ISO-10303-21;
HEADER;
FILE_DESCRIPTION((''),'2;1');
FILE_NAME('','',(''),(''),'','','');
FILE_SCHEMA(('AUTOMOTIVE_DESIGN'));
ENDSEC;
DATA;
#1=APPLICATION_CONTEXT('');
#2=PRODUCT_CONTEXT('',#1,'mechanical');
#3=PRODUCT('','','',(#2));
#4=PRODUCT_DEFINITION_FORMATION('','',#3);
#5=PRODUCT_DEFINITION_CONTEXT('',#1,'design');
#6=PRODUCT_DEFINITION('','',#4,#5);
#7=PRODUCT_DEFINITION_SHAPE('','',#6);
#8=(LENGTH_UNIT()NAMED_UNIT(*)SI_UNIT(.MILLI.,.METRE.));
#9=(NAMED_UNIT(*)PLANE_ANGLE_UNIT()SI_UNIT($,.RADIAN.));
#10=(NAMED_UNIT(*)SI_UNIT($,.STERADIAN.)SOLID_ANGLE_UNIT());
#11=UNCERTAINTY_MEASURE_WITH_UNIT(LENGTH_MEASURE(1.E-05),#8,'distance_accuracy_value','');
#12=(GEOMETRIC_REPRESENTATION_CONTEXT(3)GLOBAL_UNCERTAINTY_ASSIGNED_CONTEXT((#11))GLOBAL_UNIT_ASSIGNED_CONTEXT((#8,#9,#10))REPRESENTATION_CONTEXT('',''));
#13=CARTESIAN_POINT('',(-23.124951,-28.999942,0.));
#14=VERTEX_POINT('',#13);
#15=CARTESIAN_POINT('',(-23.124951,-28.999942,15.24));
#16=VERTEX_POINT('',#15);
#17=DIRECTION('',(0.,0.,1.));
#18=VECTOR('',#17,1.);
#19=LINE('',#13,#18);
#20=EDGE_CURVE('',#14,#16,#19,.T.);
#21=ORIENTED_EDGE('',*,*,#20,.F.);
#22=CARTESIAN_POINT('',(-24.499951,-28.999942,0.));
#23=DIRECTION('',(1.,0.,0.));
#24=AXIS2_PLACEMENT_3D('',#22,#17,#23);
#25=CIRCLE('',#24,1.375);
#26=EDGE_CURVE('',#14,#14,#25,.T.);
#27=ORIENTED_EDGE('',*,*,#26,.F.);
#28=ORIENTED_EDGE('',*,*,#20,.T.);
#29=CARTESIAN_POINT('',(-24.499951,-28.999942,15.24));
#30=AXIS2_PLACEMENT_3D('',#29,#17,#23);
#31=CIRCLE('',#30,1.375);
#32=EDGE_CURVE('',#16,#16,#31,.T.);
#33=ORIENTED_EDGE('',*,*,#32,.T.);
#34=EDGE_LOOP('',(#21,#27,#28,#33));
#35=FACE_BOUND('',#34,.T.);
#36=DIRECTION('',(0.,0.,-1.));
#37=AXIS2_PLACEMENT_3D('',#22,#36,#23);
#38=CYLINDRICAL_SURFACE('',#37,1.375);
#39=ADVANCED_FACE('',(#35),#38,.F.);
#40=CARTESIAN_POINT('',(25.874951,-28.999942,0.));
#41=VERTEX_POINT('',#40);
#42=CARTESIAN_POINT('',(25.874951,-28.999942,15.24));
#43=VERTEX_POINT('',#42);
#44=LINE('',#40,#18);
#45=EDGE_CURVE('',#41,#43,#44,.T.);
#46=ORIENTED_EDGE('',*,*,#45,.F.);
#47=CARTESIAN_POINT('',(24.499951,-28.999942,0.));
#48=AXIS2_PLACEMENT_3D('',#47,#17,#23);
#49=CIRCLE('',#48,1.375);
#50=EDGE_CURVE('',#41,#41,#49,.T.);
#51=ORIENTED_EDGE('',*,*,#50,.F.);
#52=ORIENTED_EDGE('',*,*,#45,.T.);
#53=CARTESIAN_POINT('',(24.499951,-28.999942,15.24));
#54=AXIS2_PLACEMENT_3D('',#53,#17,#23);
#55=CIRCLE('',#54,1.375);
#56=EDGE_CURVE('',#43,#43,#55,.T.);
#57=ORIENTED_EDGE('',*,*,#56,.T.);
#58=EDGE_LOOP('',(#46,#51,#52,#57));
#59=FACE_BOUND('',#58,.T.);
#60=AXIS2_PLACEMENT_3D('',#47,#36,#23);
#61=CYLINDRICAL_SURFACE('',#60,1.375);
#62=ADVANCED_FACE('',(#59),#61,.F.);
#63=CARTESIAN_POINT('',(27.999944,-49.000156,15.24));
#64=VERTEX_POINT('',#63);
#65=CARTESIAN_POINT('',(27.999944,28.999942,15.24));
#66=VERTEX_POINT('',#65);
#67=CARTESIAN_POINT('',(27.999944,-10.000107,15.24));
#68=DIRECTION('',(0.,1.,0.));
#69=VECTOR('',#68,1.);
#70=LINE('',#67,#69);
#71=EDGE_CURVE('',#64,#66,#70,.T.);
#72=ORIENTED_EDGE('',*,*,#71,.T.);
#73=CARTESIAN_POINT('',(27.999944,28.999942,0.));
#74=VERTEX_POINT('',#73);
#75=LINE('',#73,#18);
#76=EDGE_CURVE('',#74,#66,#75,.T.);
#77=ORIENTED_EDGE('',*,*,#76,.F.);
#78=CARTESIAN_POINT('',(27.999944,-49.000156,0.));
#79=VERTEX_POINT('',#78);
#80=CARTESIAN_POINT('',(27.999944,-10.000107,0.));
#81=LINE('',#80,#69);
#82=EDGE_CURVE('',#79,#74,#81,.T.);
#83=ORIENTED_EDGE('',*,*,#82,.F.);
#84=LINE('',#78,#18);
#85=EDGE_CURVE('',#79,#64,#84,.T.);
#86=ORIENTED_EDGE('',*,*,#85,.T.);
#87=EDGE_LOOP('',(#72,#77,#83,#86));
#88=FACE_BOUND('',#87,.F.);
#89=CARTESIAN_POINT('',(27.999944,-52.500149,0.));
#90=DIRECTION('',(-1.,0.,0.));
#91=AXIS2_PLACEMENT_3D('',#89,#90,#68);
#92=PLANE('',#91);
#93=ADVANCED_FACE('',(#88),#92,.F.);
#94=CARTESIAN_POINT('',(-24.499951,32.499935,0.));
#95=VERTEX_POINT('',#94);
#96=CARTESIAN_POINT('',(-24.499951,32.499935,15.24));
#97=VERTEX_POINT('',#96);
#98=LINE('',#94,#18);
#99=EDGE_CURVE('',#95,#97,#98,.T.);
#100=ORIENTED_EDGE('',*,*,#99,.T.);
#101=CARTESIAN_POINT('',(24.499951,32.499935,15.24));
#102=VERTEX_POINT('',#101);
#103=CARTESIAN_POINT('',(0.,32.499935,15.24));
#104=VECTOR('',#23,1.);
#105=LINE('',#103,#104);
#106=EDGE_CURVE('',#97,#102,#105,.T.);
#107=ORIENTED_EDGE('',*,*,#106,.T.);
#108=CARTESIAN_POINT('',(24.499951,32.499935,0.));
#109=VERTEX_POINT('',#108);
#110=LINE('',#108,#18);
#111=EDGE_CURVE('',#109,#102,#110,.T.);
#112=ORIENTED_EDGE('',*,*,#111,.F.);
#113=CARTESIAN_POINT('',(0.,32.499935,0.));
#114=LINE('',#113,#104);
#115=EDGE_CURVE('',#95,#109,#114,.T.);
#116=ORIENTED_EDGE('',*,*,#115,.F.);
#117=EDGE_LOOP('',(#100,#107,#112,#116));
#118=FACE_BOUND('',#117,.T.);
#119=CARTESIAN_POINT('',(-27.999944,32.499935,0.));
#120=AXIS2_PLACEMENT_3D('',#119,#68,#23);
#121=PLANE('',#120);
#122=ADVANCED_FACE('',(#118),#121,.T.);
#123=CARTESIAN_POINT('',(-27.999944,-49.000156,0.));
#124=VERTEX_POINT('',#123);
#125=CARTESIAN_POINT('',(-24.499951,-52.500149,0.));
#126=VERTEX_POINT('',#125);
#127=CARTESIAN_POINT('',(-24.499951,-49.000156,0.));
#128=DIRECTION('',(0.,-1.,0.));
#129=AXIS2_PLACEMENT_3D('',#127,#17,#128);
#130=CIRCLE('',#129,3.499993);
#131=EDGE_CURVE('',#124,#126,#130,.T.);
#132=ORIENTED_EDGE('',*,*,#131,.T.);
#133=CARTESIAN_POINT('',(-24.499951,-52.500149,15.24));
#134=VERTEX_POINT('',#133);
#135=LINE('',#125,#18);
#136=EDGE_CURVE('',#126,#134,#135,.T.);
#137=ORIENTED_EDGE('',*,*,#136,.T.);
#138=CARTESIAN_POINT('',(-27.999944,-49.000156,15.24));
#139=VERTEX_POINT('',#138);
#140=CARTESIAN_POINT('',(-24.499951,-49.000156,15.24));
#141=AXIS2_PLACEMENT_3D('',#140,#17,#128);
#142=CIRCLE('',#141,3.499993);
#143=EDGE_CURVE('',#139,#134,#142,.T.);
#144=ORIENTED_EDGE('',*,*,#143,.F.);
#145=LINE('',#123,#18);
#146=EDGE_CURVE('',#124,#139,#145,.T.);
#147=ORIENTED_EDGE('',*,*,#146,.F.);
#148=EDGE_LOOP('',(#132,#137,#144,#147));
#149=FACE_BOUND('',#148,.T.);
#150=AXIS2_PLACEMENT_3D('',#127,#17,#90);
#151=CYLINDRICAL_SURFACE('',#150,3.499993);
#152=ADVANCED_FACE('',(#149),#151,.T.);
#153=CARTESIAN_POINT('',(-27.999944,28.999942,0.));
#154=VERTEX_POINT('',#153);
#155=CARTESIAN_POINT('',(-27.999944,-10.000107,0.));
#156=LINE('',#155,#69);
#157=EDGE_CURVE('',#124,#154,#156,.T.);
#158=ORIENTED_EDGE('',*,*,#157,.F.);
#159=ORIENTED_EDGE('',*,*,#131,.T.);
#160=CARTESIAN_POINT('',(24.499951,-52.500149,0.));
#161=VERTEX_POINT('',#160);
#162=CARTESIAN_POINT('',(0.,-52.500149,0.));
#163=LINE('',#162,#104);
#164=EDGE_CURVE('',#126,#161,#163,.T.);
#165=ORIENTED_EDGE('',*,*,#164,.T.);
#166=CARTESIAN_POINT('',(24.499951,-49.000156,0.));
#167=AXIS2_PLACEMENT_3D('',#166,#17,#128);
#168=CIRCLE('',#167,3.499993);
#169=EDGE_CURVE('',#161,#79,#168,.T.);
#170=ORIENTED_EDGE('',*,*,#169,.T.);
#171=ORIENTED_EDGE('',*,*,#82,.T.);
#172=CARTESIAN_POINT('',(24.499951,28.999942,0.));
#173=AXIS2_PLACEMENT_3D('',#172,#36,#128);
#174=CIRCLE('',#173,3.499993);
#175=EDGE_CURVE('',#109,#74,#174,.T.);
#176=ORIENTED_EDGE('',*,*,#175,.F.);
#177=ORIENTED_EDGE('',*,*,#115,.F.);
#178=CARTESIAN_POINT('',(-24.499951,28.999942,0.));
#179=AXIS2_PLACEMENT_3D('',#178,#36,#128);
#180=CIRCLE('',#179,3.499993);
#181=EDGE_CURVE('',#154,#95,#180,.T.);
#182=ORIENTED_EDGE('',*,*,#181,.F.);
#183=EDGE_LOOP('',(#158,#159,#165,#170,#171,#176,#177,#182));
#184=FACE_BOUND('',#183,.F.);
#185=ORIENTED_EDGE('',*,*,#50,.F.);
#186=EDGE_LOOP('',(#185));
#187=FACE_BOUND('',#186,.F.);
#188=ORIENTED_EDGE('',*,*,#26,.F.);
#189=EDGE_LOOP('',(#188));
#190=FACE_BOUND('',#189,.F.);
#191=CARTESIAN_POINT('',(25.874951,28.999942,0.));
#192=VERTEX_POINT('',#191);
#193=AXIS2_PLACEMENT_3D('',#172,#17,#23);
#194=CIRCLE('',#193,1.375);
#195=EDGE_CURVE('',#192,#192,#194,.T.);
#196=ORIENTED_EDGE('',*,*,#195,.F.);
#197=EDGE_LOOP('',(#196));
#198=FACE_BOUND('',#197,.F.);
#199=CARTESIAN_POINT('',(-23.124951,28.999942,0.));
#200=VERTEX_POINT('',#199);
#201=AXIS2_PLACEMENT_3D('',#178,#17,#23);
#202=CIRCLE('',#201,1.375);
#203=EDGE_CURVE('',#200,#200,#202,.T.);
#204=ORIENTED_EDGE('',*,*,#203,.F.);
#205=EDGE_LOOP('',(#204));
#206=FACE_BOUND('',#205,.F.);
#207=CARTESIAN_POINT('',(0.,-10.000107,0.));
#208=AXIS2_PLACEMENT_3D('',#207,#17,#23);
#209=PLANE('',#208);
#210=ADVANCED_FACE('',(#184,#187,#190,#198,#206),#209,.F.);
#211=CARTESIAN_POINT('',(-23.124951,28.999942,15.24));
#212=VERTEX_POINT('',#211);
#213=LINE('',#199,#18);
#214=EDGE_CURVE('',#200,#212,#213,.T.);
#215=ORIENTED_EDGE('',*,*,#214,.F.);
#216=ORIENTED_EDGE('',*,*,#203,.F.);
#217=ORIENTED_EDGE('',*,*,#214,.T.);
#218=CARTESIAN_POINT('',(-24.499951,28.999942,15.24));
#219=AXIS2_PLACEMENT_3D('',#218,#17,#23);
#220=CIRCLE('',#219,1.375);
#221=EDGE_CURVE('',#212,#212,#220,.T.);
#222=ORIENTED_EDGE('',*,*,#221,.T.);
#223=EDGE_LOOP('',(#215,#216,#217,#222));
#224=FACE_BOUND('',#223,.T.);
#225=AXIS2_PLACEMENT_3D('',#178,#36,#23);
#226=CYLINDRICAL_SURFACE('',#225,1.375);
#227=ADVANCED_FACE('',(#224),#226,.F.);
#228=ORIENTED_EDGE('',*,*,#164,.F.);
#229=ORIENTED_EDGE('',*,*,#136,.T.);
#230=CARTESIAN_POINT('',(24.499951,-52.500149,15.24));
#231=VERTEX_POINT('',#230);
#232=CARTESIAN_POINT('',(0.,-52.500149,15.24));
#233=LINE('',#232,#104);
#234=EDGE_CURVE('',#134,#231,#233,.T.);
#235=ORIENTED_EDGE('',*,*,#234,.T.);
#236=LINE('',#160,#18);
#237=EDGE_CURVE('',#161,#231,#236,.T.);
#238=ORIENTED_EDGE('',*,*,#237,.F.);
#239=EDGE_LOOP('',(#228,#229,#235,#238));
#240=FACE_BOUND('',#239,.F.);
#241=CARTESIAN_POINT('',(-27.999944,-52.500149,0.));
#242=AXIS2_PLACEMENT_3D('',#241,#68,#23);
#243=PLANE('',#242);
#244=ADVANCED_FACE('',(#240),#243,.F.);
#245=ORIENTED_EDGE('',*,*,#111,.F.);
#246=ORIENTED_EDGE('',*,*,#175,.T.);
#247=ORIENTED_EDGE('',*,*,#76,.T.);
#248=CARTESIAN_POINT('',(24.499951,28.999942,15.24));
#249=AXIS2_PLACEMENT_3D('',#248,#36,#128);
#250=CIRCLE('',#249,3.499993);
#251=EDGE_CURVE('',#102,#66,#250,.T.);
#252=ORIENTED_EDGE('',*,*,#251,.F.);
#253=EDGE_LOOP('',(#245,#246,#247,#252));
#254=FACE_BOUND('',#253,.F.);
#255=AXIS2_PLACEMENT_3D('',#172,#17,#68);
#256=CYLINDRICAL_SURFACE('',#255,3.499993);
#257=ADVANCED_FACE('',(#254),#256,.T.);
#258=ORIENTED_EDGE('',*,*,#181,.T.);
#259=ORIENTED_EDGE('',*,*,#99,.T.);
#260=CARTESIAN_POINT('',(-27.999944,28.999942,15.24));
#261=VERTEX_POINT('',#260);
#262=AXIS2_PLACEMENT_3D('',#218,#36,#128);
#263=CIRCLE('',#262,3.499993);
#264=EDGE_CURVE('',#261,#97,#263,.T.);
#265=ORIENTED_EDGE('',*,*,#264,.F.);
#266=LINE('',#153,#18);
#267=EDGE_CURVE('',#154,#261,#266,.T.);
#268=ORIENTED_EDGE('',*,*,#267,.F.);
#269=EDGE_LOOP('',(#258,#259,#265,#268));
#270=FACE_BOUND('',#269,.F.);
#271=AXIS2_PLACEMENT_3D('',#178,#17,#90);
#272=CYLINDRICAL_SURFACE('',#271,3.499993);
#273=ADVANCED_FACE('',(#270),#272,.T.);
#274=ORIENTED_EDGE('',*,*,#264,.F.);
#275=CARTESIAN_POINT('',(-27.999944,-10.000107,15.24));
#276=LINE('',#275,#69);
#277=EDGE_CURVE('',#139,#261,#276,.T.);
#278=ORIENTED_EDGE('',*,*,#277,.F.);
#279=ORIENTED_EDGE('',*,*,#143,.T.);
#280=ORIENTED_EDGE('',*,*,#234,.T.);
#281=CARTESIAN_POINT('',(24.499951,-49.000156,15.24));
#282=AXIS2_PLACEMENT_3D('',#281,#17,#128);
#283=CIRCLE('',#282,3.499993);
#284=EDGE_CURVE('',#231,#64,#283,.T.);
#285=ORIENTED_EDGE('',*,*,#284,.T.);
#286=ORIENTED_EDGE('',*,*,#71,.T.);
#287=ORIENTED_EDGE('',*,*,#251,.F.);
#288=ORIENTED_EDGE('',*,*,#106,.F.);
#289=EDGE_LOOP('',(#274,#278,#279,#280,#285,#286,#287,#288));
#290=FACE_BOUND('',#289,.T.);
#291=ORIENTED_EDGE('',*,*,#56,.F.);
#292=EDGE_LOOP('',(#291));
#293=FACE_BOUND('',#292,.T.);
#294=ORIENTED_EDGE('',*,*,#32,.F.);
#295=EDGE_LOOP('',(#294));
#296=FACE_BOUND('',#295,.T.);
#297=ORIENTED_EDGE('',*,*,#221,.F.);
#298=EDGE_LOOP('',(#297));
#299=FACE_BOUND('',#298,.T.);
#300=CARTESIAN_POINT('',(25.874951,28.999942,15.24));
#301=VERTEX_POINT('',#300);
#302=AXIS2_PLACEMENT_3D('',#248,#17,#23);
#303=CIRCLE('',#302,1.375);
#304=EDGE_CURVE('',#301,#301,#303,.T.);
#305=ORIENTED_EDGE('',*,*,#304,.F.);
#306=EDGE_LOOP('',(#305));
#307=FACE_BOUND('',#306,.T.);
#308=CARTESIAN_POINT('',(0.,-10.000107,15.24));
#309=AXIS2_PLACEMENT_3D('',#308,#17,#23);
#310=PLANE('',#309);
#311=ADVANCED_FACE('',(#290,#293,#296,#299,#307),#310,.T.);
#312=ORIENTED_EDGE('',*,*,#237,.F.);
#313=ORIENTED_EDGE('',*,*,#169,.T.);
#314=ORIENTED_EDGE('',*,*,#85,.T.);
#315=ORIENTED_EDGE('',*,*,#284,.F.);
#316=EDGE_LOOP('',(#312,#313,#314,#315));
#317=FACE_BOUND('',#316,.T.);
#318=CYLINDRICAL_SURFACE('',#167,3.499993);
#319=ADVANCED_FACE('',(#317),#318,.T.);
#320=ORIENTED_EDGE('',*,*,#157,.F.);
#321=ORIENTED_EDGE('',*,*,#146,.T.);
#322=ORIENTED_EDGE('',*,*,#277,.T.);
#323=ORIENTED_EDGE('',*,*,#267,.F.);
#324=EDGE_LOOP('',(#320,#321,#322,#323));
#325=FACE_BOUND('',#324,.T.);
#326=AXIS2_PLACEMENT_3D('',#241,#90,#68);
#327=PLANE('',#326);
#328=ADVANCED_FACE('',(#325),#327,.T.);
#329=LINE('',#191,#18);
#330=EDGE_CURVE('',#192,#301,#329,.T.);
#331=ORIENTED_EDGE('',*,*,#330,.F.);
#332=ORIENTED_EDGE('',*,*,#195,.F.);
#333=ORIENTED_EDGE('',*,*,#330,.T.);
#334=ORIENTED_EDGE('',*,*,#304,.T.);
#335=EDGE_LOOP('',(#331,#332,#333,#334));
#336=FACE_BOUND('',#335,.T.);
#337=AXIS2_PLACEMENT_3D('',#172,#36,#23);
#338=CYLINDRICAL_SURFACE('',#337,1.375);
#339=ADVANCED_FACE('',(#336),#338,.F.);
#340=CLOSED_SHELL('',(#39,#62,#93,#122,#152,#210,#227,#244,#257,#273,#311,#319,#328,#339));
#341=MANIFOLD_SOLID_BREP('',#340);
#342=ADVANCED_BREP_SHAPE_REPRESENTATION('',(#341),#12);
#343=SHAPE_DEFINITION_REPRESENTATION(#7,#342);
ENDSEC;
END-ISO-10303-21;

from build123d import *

# Parameters (mm, degrees)
F0_W     = 55.999888
F0_H     = 85.000084
F0_R     = 1.375
F1_DEPTH = 15.24
F2_R     = 3.499993


with BuildPart() as f1:
    # F0 (on Top) → F1 (new body)
    with BuildSketch(Plane.XY):
        with Locations((0, -10.000107)):
            Rectangle(F0_W, F0_H)
        with Locations((-24.499951, -28.999942)):
            Circle(F0_R, mode=Mode.SUBTRACT)
        with Locations((24.499951, -28.999942)):
            Circle(F0_R, mode=Mode.SUBTRACT)
        with Locations((-24.499951, 28.999942)):
            Circle(F0_R, mode=Mode.SUBTRACT)
        with Locations((24.499951, 28.999942)):
            Circle(F0_R, mode=Mode.SUBTRACT)
    extrude(amount=F1_DEPTH)

    # F2
    f2_edges = [f1.edges().sort_by_distance(p)[0] for p in [
        (-27.999944, 32.499935, 7.62),
        (27.999944, 32.499935, 7.62),
        (27.999944, -52.500149, 7.62),
        (-27.999944, -52.500149, 7.62),
    ]]
    fillet(f2_edges, radius=F2_R)


solid = f1.part
